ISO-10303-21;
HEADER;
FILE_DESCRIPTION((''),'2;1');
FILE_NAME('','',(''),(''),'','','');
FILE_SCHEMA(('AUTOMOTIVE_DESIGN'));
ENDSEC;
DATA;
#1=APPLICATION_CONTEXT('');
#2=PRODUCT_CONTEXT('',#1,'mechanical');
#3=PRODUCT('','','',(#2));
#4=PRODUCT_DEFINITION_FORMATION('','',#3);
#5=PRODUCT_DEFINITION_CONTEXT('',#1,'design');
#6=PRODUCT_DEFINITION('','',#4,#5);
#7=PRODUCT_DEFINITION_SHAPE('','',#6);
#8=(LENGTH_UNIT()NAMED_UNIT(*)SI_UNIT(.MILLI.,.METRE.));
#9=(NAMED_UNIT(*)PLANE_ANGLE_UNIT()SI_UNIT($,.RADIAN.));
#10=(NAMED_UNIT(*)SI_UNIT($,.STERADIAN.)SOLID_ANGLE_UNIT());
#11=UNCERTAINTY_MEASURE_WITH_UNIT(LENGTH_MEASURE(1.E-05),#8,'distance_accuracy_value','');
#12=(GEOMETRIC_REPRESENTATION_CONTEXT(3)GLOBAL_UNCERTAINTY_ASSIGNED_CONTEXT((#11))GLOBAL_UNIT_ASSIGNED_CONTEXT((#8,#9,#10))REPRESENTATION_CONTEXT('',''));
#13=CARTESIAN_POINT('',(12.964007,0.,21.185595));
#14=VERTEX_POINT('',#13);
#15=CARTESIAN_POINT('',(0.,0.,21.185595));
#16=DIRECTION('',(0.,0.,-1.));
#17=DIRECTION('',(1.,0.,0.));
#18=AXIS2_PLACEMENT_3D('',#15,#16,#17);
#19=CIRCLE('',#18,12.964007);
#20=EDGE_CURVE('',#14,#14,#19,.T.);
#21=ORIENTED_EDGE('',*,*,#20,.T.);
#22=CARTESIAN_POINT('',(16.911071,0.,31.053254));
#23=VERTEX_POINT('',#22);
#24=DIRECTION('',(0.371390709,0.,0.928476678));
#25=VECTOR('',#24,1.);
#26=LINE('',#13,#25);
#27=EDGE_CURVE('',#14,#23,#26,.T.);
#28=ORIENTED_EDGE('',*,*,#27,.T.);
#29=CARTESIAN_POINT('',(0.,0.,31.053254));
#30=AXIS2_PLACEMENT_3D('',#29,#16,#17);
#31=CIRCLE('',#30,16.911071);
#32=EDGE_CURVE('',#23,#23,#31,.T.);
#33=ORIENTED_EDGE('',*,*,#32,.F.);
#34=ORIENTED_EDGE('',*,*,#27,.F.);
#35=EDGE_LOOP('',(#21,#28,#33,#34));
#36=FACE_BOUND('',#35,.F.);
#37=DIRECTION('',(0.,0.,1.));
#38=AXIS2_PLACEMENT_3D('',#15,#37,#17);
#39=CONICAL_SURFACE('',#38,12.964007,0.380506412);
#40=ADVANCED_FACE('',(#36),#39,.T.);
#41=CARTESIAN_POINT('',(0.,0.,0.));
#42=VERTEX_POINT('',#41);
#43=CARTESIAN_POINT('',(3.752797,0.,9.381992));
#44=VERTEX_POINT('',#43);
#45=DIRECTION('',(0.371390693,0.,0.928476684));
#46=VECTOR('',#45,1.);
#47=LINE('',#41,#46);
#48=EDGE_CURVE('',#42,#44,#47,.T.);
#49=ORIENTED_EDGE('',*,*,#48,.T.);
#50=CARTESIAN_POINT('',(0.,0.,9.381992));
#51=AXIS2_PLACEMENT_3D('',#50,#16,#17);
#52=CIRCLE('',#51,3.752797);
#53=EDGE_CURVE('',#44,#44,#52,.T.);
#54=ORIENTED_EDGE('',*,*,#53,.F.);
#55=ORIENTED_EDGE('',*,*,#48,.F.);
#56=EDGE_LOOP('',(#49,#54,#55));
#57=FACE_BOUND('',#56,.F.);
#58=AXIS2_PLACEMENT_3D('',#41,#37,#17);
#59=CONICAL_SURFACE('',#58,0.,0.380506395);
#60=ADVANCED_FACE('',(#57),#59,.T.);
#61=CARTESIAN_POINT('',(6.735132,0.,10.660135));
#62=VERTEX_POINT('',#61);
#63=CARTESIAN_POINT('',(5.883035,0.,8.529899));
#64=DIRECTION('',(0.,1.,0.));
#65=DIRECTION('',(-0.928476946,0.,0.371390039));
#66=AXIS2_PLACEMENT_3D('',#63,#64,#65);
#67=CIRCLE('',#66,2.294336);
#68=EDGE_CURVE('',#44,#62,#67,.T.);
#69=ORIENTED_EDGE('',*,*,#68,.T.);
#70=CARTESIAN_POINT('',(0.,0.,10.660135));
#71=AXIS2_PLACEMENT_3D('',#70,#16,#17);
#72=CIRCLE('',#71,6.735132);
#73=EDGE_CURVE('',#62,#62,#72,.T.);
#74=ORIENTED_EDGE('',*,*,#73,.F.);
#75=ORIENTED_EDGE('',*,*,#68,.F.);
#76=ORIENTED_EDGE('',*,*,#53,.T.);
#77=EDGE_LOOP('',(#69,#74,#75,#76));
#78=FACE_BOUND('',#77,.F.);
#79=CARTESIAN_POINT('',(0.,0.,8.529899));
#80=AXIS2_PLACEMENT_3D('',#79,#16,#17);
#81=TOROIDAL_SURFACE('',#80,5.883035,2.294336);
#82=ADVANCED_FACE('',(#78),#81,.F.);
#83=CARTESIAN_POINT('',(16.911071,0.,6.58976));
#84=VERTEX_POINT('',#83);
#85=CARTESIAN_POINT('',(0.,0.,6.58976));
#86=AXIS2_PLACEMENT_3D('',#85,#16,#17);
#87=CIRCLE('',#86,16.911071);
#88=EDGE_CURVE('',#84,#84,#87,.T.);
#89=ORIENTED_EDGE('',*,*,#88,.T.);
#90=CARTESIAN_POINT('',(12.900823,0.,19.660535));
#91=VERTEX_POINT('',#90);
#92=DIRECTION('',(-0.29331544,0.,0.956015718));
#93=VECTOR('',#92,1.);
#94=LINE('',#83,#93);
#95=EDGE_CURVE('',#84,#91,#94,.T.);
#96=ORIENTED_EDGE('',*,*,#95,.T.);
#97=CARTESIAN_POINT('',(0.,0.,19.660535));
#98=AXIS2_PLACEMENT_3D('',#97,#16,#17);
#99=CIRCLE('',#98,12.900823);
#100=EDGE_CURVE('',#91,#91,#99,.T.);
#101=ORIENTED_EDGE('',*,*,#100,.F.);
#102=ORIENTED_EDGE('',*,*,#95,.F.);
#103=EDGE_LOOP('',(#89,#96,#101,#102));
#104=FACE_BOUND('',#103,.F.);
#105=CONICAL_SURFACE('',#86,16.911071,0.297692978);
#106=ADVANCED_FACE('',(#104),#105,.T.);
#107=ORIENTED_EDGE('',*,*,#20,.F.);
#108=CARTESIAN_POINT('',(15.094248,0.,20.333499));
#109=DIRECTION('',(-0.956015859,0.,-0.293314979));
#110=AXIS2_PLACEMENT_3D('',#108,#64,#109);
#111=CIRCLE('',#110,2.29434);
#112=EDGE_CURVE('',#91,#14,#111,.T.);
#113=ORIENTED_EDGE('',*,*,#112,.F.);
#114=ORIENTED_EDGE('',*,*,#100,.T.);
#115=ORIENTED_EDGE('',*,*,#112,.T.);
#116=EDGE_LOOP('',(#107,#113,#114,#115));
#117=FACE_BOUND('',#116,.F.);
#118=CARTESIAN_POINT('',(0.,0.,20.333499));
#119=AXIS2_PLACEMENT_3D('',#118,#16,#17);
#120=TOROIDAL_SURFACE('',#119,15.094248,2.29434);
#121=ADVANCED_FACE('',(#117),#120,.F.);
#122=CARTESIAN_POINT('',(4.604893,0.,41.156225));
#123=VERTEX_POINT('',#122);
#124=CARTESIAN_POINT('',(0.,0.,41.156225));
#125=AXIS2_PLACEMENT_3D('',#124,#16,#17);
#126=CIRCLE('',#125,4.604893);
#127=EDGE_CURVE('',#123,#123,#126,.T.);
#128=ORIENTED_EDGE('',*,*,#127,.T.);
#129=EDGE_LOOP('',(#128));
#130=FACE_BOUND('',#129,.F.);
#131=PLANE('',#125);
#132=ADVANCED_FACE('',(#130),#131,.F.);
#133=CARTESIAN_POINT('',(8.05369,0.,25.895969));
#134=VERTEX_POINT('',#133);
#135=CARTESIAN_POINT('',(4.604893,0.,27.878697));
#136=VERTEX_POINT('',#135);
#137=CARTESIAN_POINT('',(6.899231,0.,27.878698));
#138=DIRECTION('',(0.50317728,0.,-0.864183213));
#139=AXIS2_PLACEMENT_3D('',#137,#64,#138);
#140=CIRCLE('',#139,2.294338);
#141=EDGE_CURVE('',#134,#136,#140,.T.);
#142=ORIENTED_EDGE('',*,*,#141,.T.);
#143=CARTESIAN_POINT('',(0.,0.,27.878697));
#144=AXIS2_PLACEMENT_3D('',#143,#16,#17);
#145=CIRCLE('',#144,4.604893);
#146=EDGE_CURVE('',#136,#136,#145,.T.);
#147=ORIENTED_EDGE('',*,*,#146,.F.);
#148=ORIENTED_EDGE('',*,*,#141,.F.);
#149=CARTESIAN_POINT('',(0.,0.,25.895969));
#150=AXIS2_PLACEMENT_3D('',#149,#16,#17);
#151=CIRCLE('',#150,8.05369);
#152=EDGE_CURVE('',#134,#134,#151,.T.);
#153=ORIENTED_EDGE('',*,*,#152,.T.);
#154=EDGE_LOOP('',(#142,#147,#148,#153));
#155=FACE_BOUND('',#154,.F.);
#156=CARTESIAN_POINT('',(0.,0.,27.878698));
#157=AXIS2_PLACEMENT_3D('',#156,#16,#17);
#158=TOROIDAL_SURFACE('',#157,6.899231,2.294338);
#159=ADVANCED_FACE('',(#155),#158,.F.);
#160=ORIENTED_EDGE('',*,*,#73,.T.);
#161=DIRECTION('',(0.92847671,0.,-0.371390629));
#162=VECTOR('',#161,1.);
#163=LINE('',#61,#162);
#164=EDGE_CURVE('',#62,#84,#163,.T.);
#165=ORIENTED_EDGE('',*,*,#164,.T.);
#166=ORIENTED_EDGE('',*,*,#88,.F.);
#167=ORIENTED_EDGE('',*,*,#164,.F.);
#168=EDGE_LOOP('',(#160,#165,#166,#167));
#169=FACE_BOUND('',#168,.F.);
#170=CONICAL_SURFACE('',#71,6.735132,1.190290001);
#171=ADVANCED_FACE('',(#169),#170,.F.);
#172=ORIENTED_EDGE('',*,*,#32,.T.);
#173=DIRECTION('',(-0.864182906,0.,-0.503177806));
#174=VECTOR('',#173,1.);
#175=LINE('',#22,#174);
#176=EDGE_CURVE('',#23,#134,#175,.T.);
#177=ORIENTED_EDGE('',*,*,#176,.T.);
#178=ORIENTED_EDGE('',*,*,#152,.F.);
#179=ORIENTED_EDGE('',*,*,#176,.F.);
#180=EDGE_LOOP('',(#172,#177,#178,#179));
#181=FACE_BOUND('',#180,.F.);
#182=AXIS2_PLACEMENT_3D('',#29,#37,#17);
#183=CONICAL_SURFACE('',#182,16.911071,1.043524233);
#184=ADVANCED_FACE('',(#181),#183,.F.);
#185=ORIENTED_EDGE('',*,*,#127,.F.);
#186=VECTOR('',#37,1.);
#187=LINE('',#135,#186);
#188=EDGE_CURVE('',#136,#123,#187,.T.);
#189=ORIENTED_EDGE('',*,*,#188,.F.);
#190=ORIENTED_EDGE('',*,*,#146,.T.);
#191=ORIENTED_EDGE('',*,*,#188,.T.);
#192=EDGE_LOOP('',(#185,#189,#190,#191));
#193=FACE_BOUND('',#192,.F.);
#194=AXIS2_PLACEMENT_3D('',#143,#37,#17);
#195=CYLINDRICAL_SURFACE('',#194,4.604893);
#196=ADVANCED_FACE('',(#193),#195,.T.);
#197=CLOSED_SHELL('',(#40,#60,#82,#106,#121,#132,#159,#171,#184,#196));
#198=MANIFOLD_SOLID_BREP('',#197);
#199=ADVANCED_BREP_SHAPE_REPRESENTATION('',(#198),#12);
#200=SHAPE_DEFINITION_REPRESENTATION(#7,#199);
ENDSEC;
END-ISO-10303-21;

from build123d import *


with BuildPart() as f1:
    # F0 (on Front) → F1 (revolve)
    with BuildSketch(Plane.XZ):
        with BuildLine():
            Line((0, 41.156225), (0, 0))
            Line((0, 0), (3.752797, 9.381992))
            ThreePointArc((3.752797, 9.381992), (4.979252, 10.638726), (6.735132, 10.660135))
            Line((6.735132, 10.660135), (16.911071, 6.58976))
            Line((16.911071, 6.58976), (12.900823, 19.660535))
            ThreePointArc((12.900823, 19.660535), (12.801875, 20.428473), (12.964007, 21.185595))
            Line((12.964007, 21.185595), (16.911071, 31.053254))
            Line((16.911071, 31.053254), (8.05369, 25.895969))
            ThreePointArc((8.05369, 25.895969), (5.755713, 25.889639), (4.604893, 27.878697))
            Line((4.604893, 27.878697), (4.604893, 41.156225))
            Line((4.604893, 41.156225), (0, 41.156225))
        make_face()
    revolve(axis=Axis((0, 0, 20.578112), (0, 0, -1)))


solid = f1.part
